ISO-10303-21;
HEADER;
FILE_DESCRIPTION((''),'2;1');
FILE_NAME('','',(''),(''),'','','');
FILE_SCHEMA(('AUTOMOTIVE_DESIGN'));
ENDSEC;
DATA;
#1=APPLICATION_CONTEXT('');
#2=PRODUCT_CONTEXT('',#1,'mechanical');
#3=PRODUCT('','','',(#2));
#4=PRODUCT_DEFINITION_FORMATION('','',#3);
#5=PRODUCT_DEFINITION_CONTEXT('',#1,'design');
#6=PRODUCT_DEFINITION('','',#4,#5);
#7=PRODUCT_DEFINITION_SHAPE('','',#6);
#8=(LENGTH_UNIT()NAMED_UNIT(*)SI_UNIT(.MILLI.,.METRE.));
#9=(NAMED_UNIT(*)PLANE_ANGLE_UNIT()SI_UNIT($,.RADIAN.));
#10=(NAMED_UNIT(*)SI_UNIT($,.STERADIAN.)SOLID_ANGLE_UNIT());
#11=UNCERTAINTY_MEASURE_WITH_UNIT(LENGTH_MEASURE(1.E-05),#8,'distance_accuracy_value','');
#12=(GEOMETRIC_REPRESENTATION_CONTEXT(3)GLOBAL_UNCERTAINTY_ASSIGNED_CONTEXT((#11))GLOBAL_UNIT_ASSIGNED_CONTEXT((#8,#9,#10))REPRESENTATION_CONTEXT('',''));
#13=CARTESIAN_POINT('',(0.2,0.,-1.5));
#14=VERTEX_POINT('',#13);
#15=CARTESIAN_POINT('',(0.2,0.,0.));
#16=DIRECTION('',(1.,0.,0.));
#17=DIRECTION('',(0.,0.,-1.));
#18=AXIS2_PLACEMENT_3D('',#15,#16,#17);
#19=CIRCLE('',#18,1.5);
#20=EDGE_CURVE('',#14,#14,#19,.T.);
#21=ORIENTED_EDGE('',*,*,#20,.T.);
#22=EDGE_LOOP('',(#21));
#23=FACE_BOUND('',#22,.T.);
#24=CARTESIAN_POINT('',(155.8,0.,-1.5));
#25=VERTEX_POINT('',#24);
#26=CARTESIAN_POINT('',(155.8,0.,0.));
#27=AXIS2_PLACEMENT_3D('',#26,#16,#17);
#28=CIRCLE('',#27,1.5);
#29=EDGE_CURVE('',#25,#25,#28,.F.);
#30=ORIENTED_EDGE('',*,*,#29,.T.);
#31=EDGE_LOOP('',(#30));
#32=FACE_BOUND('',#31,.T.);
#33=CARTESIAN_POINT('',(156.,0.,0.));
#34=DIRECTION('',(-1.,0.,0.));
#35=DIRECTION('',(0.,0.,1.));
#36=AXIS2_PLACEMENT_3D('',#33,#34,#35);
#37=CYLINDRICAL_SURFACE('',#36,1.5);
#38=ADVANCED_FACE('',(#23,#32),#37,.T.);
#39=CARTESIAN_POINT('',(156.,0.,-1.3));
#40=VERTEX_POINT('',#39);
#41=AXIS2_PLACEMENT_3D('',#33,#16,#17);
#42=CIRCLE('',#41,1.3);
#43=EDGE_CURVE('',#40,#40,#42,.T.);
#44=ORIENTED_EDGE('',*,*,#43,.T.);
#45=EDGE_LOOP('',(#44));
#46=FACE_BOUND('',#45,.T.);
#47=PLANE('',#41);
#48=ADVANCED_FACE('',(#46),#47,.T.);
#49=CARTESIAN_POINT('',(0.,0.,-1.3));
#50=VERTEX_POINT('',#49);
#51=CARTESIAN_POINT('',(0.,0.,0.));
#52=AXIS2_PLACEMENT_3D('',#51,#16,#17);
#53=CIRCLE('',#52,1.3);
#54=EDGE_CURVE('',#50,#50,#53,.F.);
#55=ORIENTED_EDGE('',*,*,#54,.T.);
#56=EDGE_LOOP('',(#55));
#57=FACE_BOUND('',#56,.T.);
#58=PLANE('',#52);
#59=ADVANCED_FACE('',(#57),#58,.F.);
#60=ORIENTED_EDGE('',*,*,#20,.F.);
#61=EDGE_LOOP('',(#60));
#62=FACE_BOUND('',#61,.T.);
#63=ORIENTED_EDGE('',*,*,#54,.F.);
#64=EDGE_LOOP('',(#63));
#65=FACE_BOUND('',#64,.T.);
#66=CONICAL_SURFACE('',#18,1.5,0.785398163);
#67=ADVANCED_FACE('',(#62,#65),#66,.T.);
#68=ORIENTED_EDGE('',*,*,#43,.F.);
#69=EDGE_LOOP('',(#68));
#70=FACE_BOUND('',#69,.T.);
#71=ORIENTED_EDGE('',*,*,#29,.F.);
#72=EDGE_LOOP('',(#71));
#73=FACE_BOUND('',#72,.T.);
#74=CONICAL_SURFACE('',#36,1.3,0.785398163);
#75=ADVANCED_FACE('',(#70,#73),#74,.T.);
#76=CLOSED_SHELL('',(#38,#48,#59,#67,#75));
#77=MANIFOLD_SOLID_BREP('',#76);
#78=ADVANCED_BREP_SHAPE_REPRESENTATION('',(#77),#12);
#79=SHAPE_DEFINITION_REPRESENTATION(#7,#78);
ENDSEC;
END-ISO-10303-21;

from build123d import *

# Parameters (mm, degrees)
ESQUISSE1_R        = 1.5
BOSS_EXTRU_1_DEPTH = 156
CHANFREIN1_SIZE    = 0.2


with BuildPart() as part:
    # Esquisse1 → Boss.-Extru.1 (new body)
    with BuildSketch(Plane(origin=(0, 0, 0), x_dir=(0, 0, -1), z_dir=(1, 0, 0))):
        Circle(ESQUISSE1_R)
    extrude(amount=BOSS_EXTRU_1_DEPTH)

    # Chanfrein1
    chanfrein1_edges = [part.edges().sort_by_distance(p)[0] for p in [
        (0, 0, 1.5),
        (156, 0, 1.5),
    ]]
    chamfer(chanfrein1_edges, length=CHANFREIN1_SIZE)


solid = part.part
